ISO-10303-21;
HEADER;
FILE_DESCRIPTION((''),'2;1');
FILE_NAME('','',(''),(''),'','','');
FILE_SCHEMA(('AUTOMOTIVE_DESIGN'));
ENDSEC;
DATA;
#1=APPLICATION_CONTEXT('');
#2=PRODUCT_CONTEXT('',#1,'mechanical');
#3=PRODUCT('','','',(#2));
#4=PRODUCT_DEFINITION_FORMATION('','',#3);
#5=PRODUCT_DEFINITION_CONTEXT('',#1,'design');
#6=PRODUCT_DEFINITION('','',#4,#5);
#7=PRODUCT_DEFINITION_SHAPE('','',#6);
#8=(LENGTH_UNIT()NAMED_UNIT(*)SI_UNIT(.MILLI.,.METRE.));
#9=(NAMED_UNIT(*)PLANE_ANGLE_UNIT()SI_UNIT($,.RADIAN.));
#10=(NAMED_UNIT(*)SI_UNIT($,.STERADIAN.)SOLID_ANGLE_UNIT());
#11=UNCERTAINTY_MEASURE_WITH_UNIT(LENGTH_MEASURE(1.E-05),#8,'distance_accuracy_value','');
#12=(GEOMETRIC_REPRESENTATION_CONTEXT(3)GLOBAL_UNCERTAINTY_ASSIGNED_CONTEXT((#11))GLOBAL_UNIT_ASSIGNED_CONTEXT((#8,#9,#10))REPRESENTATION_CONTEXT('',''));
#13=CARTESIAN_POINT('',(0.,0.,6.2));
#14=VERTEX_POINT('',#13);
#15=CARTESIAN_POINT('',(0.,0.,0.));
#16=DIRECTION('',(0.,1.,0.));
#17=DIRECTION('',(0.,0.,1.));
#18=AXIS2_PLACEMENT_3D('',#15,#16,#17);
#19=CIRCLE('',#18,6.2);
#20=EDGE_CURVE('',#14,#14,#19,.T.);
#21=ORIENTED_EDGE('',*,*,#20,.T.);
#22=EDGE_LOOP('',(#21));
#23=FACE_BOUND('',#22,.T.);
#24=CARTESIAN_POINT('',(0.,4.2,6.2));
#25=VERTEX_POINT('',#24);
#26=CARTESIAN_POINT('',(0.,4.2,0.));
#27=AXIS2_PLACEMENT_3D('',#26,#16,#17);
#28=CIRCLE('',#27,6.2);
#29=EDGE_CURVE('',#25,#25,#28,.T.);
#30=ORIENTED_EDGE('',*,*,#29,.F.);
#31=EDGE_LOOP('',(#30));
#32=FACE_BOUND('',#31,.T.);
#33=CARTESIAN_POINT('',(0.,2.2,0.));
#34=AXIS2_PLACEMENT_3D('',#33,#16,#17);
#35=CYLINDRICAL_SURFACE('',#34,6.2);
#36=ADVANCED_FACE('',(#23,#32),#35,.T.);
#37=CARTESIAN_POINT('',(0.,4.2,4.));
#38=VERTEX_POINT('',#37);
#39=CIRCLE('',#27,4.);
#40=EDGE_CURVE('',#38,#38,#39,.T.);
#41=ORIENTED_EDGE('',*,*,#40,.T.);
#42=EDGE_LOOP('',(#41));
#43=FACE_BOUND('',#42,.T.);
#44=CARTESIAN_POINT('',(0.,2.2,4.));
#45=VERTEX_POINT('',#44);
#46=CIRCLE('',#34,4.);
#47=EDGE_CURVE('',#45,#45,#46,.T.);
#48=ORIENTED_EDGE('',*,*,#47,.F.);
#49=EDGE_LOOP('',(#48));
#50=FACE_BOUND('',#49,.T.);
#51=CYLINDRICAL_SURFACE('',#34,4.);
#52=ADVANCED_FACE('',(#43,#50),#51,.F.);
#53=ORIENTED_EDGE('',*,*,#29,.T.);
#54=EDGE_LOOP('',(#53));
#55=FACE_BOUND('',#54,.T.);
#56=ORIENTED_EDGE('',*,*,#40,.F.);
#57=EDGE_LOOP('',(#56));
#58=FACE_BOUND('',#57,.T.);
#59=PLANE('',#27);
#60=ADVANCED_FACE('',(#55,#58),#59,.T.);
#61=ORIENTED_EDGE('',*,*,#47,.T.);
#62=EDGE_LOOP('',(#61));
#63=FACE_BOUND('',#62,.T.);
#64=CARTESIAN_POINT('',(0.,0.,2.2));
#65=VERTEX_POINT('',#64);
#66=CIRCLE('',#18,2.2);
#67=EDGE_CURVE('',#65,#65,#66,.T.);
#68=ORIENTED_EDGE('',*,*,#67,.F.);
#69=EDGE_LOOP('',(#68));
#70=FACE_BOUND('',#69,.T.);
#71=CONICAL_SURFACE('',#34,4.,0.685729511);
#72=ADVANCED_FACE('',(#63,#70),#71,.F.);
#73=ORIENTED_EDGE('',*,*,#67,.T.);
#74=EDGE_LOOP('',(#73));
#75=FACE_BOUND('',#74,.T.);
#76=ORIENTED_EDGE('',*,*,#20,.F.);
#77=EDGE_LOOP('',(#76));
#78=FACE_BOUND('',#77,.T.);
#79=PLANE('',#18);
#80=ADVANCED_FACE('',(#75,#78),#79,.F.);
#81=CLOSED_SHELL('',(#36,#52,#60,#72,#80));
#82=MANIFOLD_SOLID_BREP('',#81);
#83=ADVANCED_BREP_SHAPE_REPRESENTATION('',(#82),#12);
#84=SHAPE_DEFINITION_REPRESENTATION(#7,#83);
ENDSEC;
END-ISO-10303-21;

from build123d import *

# Parameters (mm, degrees)
SKETCH1_W = 2.2
SKETCH1_H = 2


with BuildPart() as part:
    # Sketch1 → Revolve1 (revolve)
    with BuildSketch(Plane(origin=(0, 0, 0), x_dir=(0, 0, -1), z_dir=(1, 0, 0)), mode=Mode.PRIVATE) as revolve1_sk:
        with Locations((5.1, 3.2)):
            Rectangle(SKETCH1_W, SKETCH1_H)
        Polygon((6.2, 2.2), (4, 2.2), (2.2, 0), (6.2, 0), align=None)
    revolve(revolve1_sk.sketch.rotate(Axis((0, 2.2, 0), (0, -1, 0)), 180), axis=Axis((0, 2.2, 0), (0, -1, 0)))


solid = part.part
